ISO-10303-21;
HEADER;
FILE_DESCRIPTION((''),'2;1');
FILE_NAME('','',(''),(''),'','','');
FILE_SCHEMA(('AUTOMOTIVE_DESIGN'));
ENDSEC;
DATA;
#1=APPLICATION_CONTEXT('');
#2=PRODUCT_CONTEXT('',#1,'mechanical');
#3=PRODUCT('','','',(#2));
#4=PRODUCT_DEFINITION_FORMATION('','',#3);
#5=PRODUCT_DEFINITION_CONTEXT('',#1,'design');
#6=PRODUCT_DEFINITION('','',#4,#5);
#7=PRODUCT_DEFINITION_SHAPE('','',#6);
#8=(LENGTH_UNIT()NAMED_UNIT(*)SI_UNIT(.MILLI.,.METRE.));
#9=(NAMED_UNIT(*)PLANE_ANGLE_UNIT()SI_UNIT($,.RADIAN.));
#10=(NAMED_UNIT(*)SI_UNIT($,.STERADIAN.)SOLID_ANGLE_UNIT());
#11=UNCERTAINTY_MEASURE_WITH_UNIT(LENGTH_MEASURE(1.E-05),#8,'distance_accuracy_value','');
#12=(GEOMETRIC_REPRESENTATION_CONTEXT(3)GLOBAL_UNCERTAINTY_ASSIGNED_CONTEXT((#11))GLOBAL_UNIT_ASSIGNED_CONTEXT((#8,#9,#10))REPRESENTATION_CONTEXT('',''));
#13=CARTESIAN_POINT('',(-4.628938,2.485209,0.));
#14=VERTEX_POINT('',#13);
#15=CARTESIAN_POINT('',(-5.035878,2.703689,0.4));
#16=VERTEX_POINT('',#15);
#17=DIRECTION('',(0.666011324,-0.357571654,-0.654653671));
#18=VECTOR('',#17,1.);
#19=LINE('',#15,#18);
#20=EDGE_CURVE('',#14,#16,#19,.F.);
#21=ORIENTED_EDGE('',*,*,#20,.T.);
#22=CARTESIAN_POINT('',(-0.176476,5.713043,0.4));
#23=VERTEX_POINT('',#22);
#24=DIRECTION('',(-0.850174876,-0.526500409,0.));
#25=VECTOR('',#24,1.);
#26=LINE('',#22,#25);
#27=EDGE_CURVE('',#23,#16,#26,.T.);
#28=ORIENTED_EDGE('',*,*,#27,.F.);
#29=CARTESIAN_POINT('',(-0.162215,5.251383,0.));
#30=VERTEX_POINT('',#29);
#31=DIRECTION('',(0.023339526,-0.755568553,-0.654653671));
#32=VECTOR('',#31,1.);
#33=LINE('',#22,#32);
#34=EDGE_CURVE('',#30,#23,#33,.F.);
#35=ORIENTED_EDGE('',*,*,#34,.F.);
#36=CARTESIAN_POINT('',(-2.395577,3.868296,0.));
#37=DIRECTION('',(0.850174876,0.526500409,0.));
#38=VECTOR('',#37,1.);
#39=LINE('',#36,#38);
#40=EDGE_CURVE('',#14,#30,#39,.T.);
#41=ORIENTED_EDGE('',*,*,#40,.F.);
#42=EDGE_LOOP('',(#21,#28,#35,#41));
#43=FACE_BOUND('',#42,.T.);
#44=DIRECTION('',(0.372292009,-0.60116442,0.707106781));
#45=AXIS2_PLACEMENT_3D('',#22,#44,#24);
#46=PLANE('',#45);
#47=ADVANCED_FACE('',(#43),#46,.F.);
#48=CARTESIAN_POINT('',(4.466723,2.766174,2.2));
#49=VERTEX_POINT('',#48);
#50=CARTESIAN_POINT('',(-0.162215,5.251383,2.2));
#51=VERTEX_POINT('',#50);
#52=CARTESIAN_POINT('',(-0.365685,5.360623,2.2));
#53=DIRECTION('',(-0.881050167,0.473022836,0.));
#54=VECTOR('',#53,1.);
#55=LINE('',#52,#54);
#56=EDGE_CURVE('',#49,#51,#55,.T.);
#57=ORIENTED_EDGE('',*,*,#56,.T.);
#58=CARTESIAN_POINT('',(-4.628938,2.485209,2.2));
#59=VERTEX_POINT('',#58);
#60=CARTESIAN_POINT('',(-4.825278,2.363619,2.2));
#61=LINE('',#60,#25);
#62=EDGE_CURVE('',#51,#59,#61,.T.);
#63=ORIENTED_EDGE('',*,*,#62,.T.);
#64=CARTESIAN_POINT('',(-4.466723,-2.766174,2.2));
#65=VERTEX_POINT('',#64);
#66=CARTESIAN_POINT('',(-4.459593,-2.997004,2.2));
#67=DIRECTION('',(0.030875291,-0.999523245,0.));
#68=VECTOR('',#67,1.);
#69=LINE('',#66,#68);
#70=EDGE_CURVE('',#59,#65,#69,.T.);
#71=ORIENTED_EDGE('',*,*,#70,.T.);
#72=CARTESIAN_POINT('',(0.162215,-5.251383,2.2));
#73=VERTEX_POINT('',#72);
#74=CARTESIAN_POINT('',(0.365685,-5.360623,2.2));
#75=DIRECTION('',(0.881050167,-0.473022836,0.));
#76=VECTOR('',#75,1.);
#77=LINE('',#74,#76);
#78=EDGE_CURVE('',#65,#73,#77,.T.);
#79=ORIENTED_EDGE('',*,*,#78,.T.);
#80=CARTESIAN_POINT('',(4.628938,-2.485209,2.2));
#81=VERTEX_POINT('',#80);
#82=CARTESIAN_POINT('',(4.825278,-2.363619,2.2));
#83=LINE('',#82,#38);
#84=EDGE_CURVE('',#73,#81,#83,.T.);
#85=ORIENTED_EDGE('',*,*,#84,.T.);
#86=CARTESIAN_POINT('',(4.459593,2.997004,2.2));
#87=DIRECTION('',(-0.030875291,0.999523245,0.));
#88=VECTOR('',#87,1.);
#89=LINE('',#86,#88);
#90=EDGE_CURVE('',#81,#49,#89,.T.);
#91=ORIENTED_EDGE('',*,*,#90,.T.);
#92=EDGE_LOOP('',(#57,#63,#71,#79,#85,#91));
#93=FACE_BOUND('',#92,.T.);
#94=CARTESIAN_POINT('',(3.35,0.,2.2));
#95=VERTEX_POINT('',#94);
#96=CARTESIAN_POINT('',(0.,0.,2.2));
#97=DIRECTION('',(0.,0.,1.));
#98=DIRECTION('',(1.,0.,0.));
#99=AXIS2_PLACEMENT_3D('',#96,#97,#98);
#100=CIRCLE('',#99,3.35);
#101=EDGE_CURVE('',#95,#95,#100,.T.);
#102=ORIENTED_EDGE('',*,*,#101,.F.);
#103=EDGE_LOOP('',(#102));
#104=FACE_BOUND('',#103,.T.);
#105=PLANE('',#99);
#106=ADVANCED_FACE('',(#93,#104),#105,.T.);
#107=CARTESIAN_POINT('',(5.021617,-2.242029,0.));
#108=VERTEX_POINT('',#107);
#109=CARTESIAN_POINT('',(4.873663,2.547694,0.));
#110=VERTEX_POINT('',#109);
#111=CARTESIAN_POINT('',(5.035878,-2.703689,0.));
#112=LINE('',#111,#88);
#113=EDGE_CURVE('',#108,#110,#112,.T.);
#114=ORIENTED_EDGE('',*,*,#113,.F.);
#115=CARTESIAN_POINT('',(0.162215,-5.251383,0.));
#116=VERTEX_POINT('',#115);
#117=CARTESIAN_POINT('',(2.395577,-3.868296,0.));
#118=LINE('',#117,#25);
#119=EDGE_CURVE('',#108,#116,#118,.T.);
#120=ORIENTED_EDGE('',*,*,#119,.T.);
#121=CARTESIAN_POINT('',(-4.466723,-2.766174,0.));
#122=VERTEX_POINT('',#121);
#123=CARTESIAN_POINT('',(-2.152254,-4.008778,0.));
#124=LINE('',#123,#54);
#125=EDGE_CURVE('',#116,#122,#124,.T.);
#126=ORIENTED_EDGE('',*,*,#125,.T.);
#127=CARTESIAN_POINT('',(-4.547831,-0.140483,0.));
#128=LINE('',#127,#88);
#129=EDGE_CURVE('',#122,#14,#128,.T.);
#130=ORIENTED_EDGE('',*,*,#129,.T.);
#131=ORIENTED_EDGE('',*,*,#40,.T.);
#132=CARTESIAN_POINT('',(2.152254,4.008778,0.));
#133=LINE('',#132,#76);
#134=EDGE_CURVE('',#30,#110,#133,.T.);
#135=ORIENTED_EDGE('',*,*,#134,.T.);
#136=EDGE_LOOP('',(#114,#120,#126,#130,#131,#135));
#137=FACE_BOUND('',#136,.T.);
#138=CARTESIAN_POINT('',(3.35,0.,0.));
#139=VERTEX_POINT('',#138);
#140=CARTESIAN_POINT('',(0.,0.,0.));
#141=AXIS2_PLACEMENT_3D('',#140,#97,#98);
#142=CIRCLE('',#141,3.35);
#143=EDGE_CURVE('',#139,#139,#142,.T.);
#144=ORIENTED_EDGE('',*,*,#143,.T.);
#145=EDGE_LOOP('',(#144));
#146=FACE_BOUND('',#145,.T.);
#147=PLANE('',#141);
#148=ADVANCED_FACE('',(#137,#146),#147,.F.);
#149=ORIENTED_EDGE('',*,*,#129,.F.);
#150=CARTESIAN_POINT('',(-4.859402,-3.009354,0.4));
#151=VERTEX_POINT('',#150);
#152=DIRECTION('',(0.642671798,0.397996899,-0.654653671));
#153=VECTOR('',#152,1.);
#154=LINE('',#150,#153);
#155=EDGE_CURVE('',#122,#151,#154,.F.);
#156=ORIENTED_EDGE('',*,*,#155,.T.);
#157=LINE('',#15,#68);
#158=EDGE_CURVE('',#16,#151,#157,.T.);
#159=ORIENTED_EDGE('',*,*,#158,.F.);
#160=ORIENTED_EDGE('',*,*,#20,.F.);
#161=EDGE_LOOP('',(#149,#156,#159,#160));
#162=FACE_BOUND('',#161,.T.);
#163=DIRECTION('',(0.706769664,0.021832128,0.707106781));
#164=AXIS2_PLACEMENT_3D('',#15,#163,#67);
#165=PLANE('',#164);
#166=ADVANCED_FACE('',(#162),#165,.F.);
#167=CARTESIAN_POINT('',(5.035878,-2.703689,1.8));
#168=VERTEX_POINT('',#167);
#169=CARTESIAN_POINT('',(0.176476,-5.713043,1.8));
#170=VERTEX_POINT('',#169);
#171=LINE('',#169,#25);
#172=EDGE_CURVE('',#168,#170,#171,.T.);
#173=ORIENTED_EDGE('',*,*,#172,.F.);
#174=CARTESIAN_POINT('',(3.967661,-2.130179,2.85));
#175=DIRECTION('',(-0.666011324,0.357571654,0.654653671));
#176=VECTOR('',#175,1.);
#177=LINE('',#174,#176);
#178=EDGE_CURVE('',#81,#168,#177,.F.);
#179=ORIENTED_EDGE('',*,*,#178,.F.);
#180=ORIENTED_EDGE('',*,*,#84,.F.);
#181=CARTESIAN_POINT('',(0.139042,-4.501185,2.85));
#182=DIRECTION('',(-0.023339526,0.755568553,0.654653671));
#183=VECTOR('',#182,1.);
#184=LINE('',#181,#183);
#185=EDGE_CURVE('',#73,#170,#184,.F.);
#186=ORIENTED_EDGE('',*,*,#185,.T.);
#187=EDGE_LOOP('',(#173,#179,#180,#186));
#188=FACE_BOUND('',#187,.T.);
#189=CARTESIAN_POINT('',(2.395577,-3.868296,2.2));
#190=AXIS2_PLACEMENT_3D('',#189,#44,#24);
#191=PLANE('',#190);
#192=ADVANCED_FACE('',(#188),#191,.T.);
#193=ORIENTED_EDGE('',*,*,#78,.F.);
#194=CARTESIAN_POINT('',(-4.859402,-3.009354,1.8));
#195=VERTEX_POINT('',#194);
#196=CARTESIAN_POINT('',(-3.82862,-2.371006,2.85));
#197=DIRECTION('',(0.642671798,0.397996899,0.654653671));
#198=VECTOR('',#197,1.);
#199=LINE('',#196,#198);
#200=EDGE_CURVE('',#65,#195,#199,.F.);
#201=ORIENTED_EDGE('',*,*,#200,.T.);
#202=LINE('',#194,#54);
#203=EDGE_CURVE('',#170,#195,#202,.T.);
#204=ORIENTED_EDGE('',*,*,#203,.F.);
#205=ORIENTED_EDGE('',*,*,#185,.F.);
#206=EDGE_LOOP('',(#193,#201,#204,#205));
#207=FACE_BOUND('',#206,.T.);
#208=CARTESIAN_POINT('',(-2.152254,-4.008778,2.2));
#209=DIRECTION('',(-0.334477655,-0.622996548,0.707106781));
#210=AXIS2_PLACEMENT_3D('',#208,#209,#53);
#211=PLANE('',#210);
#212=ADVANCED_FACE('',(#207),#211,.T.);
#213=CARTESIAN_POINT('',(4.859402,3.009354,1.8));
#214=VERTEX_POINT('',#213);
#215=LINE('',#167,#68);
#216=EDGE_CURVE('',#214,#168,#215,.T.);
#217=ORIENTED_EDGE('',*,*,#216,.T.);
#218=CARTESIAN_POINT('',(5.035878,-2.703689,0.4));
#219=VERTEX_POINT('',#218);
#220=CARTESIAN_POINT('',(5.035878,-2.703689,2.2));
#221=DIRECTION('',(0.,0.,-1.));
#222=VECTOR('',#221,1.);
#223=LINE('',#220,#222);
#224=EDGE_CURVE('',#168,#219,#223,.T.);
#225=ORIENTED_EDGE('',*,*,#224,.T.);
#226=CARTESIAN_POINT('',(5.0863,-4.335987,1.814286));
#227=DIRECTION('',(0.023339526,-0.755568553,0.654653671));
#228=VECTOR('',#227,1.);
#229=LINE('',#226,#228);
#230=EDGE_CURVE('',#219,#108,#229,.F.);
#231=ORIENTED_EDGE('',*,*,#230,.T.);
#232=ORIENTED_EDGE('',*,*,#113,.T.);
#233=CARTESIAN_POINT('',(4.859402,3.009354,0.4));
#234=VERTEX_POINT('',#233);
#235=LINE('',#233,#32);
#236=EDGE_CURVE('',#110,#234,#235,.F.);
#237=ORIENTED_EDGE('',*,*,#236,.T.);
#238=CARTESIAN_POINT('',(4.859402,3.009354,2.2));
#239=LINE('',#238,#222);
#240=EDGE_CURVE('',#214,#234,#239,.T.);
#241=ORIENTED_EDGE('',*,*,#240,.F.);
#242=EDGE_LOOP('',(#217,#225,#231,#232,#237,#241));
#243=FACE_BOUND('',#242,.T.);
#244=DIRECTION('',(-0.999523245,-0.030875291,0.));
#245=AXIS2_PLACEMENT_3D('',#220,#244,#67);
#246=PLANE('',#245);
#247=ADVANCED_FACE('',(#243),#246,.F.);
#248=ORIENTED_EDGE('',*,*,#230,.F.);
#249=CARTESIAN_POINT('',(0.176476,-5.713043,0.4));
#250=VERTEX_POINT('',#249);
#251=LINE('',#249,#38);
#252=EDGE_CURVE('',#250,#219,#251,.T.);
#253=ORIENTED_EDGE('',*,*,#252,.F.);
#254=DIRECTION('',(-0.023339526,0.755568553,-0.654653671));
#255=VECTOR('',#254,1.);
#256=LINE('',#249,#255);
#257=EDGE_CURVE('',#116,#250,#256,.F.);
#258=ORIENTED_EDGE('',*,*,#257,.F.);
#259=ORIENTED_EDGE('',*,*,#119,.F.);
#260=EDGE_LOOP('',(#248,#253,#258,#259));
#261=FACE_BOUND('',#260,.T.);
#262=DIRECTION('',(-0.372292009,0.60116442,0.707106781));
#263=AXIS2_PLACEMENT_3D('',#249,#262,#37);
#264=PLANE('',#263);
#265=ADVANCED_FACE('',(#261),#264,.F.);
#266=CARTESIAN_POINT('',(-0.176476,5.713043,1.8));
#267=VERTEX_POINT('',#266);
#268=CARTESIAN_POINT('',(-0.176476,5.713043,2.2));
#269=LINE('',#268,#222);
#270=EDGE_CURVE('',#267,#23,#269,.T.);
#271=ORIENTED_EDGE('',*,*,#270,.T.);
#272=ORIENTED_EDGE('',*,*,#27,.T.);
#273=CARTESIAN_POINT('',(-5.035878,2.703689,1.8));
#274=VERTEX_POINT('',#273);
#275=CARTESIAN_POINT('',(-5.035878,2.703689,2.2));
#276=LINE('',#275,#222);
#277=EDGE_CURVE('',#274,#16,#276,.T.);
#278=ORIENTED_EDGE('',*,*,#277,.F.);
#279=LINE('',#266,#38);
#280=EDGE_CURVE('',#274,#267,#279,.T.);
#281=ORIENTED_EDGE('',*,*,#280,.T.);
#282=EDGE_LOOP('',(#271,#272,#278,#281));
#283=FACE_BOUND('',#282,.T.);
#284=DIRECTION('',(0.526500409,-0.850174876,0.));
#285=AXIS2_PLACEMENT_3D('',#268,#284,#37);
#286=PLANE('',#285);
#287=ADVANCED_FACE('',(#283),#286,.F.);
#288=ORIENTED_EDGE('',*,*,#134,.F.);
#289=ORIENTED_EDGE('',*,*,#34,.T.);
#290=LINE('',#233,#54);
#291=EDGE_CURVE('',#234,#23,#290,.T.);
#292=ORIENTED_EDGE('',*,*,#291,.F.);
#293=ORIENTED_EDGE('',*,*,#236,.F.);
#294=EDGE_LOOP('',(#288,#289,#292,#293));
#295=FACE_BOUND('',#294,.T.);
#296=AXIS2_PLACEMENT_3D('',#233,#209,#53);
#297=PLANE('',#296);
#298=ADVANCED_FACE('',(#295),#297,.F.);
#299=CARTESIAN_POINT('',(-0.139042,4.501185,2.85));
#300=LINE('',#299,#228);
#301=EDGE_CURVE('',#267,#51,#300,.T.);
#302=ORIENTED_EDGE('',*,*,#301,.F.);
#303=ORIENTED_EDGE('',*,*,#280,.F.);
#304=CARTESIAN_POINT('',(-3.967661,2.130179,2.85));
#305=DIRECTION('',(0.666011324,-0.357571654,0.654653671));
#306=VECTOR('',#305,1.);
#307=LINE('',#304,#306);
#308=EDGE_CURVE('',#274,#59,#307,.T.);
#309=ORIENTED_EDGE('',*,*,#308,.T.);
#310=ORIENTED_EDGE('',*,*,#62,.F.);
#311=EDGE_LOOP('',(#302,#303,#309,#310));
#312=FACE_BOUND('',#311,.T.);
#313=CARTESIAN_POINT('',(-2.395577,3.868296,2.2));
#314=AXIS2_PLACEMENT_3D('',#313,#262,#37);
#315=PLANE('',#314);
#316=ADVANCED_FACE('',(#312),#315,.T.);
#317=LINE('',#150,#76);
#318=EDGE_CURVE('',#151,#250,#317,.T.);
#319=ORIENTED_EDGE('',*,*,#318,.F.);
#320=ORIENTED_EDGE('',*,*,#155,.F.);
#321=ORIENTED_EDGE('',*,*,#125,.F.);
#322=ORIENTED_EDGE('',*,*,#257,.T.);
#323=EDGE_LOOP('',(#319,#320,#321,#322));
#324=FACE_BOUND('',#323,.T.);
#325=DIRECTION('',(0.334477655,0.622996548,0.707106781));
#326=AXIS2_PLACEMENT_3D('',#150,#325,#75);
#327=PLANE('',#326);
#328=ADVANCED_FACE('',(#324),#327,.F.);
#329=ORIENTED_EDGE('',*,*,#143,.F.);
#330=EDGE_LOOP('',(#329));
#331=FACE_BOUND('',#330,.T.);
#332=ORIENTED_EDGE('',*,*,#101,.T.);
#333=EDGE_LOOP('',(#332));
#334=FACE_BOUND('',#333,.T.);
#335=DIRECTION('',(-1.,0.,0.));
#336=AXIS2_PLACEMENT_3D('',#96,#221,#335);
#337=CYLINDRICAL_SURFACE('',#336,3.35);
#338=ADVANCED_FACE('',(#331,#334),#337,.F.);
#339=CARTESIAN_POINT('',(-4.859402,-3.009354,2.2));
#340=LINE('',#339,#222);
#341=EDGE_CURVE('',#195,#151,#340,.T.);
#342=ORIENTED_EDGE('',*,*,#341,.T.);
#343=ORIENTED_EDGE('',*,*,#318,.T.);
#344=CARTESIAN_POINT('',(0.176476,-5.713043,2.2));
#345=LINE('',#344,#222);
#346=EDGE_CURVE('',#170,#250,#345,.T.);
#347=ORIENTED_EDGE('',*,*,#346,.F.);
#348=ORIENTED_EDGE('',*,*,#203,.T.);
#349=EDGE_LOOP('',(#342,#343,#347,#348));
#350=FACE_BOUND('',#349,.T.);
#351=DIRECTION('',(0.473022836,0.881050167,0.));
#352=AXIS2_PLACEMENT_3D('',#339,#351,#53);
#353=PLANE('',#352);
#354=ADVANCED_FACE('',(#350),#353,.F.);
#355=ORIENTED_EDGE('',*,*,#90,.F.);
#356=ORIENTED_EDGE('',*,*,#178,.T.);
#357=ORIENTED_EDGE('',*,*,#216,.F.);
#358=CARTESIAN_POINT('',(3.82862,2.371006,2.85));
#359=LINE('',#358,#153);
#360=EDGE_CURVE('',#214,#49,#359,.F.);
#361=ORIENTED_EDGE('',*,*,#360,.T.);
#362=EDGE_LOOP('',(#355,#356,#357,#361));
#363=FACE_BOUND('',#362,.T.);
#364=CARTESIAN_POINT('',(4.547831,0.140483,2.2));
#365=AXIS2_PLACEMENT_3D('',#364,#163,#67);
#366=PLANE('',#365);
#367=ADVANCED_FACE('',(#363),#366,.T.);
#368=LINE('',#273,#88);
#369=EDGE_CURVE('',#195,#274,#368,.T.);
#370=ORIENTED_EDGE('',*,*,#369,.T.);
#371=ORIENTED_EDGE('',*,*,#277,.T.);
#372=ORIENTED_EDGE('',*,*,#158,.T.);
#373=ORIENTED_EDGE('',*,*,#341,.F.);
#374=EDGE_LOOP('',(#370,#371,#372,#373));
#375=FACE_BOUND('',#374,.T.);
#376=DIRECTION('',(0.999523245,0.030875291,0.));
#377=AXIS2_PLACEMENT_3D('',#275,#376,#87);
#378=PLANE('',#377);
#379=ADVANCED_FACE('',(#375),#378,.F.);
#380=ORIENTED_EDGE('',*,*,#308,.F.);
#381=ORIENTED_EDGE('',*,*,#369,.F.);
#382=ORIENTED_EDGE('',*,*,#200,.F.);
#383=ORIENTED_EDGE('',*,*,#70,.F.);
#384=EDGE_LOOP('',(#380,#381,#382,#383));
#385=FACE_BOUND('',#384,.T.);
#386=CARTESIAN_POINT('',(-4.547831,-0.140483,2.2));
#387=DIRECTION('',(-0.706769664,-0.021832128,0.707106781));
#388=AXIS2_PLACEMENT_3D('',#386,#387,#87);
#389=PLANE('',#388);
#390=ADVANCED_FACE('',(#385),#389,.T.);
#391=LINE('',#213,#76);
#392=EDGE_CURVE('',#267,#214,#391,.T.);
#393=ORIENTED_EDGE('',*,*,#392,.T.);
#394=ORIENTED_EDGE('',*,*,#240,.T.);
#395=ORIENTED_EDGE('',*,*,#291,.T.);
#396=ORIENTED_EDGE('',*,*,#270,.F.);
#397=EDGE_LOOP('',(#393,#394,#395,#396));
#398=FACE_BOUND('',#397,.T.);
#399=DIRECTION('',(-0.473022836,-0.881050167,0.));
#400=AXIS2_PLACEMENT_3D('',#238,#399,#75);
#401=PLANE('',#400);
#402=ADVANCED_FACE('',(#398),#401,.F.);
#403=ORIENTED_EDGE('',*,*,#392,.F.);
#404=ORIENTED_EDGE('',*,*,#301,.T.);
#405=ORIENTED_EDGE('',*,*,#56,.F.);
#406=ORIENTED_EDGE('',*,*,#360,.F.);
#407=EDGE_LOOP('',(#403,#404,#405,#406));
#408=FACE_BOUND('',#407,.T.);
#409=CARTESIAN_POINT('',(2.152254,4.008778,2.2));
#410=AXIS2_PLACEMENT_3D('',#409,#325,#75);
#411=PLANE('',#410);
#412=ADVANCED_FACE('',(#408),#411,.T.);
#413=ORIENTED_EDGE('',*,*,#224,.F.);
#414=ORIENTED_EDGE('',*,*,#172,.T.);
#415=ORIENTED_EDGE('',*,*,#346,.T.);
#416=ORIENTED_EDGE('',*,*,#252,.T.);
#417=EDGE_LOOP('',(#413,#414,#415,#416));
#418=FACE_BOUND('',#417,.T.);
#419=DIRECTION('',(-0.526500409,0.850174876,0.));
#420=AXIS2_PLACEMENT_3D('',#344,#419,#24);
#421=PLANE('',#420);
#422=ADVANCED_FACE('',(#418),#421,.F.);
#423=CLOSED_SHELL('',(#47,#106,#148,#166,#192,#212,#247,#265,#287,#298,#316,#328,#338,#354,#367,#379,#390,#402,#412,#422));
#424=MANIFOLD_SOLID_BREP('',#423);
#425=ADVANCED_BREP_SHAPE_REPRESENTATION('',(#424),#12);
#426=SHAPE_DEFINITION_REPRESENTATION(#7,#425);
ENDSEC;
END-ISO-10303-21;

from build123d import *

# Parameters (mm, degrees)
SKETCH_1_R      = 3.35
EXTRUDE_1_DEPTH = 2.2
CHAMFER_1_SIZE  = 0.4


with BuildPart() as part:
    # 草图1 → 凸台-拉伸1 (new body)
    with BuildSketch(Plane.XY):
        Polygon((5.035878056, -2.703688629), (4.859402065, 3.009354013), (-0.176475992, 5.713042642), (-5.035878056, 2.703688629), (-4.859402065, -3.009354013), (0.176475992, -5.713042642), align=None)
        Circle(SKETCH_1_R, mode=Mode.SUBTRACT)
    extrude(amount=EXTRUDE_1_DEPTH)

    # 倒角1
    chamfer_1_edges = [part.edges().sort_by_distance(p)[0] for p in [
        (2.341463036, 4.361198327, 2.2),
        (-2.606177024, 4.208365635, 2.2),
        (-4.94764006, -0.152832692, 2.2),
        (-2.341463036, -4.361198327, 2.2),
        (2.606177024, -4.208365635, 2.2),
        (-2.341463036, -4.361198327, 0),
        (-4.94764006, -0.152832692, 0),
        (-2.606177024, 4.208365635, 0),
        (4.94764006, 0.152832692, 2.2),
        (2.341463036, 4.361198327, 0),
        (2.606177024, -4.208365635, 0),
    ]]
    chamfer(chamfer_1_edges, length=CHAMFER_1_SIZE)


solid = part.part
